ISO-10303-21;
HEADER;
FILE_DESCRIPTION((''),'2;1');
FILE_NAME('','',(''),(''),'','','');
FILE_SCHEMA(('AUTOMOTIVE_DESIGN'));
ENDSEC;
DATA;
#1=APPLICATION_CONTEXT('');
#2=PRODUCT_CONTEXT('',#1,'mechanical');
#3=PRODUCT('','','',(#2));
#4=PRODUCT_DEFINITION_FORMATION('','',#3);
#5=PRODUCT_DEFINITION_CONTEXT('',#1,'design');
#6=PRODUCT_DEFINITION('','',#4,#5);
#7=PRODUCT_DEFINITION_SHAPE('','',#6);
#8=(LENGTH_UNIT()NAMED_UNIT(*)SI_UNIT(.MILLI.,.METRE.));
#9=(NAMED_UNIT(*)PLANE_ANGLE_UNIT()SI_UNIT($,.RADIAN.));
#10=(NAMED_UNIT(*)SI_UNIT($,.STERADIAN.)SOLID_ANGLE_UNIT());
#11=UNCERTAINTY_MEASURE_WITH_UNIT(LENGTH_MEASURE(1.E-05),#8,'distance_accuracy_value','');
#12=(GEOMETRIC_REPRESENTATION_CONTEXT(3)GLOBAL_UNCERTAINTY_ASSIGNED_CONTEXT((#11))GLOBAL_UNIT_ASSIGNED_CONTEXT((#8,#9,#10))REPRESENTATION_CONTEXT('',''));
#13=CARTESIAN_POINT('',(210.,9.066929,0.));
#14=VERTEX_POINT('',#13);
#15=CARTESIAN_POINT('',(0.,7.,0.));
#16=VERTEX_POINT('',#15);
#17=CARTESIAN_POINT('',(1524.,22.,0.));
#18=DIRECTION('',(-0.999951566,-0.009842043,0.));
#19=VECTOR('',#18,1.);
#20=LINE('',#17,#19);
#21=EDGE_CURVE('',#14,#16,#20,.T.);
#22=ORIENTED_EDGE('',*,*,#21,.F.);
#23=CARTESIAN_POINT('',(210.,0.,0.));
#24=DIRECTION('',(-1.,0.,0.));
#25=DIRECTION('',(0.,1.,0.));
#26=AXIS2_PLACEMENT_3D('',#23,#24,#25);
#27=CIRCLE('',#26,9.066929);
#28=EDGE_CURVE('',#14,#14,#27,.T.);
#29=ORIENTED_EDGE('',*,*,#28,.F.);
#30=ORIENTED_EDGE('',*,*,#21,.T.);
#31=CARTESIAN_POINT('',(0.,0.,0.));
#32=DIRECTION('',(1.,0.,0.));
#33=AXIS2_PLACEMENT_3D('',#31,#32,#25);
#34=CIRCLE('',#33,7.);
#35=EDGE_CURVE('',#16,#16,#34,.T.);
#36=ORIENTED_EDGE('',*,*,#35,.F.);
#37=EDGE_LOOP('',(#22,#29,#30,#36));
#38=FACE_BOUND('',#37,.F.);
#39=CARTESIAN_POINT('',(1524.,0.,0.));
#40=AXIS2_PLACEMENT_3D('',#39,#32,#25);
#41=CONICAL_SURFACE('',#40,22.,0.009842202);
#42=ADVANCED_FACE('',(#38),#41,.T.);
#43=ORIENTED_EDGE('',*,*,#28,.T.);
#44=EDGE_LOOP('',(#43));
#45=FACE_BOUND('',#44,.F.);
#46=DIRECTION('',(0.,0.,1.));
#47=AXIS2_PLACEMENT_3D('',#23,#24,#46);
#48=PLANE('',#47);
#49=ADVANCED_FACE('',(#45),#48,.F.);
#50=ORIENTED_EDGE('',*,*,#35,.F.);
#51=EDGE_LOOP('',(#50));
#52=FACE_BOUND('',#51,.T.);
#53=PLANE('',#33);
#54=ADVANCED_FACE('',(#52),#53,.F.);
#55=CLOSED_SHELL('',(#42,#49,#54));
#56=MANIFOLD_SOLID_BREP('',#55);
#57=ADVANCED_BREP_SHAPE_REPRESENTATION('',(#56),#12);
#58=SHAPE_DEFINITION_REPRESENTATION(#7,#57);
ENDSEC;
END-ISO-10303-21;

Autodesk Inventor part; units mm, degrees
ref_plane "YZ Plane" through (0, 0, 0) normal (1, 0, 0) x (0, 1, 0)
ref_plane "XZ Plane" through (0, 0, 0) normal (0, 1, 0) x (-1, 0, 0)
ref_plane "XY Plane" through (0, 0, 0) normal (0, 0, 1) x (1, 0, 0)
sketch "Sketch1" plane through (0, 0, 0) normal (0, 0, 1) x (1, 0, 0)
  line L0 (0, 0) -> (1524, 0)
  line L1 (0, 0) -> (0, 7)
  line L2 (0, 0) -> (0, -7)
  line L3 (1524, 0) -> (1524, 22)
  line L4 (1524, 0) -> (1524, -22)
  line L5 (1524, -22) -> (0, -7)
  line L6 (1524, 22) -> (0, 7)
  dimension "d0" = 1524
  dimension "d1" = 7
  dimension "d2" = 7
  dimension "d3" = 22
  dimension "d4" = 22
revolve "Revolution1" add sketch "Sketch1" angle 360 about axis through (0, 0, 0) along (1, 0, 0) contours L1 L6 L3 L0
sketch "Sketch2" plane through (0, 0, 0) normal (-1, 0, 0) x (0, 0, 1)
  circle A0 centre (0, 0) radius 22 projected
extrude "Extrusion1" cut sketch "Sketch2" against normal blind 210 keep common part
properties part number "CueStickTip"
